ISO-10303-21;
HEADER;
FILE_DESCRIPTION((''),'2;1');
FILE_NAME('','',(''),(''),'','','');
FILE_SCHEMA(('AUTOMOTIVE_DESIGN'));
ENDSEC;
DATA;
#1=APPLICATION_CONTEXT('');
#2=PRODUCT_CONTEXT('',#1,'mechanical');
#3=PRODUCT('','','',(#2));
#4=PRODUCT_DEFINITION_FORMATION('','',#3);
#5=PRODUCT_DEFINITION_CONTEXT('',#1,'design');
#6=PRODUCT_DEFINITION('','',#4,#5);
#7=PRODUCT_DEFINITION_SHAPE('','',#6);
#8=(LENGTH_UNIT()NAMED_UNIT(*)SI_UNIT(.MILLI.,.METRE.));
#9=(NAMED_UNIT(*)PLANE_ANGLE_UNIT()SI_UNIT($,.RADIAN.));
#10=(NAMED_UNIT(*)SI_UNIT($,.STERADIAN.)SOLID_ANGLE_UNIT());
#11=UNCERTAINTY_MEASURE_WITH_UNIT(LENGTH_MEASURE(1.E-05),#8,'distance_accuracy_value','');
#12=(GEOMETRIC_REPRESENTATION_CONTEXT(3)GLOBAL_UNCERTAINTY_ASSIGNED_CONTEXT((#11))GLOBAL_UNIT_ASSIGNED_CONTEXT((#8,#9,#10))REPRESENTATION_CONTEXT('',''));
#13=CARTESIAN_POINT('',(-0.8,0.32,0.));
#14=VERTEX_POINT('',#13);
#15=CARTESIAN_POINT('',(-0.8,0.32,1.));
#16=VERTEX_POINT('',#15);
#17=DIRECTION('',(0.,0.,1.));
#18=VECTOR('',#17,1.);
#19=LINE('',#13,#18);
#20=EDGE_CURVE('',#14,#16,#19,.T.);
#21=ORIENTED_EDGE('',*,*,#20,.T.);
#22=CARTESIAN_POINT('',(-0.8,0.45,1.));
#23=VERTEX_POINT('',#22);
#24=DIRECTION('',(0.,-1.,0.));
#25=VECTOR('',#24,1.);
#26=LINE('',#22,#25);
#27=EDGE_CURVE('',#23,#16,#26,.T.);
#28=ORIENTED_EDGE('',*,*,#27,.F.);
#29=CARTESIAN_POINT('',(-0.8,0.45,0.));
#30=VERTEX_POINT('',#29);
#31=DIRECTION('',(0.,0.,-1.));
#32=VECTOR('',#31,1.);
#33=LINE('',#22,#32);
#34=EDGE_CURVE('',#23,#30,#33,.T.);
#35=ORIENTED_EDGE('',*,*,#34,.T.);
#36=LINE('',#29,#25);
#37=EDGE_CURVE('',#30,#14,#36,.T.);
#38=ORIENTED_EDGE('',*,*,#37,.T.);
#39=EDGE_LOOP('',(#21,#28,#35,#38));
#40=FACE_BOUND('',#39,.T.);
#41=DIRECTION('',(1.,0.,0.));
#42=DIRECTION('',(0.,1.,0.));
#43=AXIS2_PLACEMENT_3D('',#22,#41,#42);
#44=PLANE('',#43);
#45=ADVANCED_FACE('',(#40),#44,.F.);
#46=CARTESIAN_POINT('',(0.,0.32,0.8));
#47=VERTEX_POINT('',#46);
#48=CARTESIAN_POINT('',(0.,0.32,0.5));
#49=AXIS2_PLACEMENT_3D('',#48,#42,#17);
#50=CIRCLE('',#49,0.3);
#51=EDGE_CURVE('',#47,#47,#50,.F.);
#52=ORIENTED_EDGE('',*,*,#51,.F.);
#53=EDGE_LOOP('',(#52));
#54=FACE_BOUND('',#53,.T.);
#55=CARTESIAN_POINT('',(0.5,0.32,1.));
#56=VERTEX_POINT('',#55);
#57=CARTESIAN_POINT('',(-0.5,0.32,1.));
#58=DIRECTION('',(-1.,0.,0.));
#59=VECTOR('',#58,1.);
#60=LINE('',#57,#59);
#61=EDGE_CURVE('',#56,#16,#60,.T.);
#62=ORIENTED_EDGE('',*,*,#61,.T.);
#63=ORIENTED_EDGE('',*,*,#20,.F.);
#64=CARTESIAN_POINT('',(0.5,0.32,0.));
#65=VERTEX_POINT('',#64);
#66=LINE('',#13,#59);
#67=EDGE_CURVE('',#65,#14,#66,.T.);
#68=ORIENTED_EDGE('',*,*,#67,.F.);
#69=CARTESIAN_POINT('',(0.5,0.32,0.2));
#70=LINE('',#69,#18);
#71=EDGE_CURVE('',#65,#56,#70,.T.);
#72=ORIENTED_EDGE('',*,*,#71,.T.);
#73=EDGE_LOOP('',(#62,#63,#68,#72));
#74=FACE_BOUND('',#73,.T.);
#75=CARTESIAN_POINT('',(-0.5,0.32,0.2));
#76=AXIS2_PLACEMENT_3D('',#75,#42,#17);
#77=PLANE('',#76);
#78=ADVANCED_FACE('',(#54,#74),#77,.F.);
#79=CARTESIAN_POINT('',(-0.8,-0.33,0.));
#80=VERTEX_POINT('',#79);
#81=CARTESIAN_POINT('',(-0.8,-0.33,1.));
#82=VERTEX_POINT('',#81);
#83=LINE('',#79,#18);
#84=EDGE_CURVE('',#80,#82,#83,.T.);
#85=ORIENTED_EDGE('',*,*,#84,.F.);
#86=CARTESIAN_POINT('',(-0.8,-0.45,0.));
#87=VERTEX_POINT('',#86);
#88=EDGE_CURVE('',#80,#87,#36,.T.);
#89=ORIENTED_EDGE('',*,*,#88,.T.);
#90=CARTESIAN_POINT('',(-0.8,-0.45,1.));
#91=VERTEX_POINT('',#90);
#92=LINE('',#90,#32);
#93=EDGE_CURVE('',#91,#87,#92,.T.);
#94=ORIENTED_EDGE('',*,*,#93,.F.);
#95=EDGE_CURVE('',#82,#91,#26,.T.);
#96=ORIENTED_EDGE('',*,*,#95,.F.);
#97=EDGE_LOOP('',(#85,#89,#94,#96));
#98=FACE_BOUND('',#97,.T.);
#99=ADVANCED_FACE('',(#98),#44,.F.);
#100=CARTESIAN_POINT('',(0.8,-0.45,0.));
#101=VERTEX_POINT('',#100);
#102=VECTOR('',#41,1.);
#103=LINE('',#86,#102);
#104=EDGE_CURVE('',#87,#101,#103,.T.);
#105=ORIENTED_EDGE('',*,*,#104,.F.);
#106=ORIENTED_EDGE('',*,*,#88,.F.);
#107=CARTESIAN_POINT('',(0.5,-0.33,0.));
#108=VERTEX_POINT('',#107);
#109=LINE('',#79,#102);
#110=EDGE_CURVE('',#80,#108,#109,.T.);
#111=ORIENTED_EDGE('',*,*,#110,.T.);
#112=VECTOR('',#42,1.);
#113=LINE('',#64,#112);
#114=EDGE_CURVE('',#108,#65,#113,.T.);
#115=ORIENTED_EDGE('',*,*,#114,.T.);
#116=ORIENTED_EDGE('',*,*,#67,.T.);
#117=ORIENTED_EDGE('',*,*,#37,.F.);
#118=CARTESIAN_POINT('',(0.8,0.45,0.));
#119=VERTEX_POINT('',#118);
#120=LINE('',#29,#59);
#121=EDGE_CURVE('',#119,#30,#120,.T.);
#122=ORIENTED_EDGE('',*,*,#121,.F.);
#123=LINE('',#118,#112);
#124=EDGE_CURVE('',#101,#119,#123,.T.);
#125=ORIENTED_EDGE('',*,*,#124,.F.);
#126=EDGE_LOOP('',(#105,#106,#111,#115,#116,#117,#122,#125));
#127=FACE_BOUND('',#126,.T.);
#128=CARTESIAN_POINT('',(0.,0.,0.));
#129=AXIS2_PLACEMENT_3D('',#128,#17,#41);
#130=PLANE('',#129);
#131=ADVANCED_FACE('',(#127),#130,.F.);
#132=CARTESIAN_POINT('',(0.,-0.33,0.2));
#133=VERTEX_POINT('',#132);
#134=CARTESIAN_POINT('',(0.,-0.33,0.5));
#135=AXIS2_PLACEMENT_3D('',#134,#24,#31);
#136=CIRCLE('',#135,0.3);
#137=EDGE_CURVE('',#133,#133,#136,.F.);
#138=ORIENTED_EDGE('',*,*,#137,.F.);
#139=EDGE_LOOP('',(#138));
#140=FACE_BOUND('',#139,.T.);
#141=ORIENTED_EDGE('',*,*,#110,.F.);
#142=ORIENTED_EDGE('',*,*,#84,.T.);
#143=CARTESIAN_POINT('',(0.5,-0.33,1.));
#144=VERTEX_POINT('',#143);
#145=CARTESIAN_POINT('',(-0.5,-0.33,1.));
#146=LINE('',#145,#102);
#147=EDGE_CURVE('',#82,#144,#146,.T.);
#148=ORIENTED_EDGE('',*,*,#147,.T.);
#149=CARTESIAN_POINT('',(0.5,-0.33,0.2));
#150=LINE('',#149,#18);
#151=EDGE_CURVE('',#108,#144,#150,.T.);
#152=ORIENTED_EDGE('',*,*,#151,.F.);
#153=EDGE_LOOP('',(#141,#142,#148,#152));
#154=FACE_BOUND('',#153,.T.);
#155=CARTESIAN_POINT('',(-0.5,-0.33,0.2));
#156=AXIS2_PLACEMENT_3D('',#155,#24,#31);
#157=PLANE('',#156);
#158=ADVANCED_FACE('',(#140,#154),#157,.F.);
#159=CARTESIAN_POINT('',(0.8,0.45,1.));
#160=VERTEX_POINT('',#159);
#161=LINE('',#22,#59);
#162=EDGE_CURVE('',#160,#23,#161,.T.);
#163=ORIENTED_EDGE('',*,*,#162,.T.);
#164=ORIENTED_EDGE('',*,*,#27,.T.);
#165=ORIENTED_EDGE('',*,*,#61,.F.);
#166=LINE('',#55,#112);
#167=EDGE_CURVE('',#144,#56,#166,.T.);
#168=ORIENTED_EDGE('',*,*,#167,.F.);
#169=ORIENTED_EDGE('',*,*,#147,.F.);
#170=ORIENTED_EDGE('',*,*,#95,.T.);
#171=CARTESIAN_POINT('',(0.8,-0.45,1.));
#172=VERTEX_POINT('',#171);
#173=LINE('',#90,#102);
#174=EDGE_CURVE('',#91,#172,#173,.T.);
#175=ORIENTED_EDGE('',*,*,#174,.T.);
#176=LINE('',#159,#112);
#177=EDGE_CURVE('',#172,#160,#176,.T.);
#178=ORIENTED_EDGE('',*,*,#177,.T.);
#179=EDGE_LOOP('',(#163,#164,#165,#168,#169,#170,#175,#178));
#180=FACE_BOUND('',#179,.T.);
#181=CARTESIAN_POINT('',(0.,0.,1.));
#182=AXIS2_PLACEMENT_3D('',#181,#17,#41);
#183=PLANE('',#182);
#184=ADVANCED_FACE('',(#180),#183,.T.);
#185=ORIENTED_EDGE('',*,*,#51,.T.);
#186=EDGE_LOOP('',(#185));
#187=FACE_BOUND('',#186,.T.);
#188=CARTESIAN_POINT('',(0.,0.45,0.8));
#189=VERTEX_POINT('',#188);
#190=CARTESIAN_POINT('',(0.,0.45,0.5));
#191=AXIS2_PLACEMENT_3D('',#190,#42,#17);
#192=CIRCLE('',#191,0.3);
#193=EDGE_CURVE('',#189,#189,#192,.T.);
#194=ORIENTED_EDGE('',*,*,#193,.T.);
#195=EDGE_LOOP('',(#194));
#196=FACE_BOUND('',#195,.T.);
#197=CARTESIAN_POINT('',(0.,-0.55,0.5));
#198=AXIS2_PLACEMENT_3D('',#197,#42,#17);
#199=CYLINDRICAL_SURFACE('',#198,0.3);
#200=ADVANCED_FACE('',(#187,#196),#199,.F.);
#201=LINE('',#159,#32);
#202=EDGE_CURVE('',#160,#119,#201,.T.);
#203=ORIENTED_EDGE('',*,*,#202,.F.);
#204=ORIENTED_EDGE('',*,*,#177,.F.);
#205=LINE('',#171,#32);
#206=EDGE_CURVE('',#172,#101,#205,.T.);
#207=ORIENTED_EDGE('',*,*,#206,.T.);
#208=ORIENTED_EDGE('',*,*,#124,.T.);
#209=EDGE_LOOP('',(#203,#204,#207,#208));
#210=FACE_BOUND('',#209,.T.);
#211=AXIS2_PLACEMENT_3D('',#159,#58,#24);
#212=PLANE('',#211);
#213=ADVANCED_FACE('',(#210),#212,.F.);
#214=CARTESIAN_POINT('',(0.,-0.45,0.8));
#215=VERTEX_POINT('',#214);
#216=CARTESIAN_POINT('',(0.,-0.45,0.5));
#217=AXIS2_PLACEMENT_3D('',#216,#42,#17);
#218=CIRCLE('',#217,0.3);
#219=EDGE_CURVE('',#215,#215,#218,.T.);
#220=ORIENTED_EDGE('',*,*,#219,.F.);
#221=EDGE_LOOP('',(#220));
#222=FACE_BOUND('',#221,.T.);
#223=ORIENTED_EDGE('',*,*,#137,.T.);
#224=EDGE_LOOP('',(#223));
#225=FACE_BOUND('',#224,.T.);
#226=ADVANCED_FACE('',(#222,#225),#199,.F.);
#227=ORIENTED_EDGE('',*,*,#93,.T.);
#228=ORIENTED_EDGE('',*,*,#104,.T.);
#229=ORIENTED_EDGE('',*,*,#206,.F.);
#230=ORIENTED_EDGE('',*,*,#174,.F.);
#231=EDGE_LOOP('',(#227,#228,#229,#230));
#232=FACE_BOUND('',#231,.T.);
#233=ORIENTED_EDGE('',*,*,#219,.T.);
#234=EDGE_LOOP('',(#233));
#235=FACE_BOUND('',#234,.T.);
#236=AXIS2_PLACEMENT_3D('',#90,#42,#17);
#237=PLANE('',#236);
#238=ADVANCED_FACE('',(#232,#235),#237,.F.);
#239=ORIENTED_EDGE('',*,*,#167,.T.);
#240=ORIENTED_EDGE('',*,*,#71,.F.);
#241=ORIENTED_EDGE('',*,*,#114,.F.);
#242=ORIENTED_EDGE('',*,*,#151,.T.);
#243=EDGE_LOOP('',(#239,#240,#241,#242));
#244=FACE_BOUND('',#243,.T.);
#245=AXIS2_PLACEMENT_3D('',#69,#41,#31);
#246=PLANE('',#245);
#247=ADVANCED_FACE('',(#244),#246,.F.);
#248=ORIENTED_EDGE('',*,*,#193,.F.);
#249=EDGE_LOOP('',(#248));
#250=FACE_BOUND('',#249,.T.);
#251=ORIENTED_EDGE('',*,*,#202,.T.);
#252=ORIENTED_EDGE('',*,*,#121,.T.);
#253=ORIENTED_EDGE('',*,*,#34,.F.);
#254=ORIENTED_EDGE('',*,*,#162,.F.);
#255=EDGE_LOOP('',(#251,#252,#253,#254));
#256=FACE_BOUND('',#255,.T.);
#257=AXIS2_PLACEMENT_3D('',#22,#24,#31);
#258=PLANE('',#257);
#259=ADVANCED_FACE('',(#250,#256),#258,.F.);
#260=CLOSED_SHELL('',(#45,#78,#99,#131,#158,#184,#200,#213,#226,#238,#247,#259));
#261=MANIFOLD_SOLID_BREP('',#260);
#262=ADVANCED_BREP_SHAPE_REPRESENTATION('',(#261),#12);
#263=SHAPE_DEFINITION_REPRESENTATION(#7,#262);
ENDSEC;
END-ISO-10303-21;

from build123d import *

# Parameters (mm, degrees)
SKETCH2_W           = 1.6
SKETCH2_H           = 0.9
BOSS_EXTRUDE2_DEPTH = 1
SKETCH5_R           = 0.3
CUT_EXTRUDE2_DEPTH  = 1
SKETCH6_W           = 1
SKETCH6_H           = 0.65
CUT_EXTRUDE3_DEPTH  = 0.8
SKETCH7_W           = 1.3
SKETCH7_H           = 0.65
CUT_EXTRUDE4_DEPTH  = 1


with BuildPart() as part:
    # Sketch2 → Boss-Extrude2 (new body)
    with BuildSketch(Plane.XY):
        Rectangle(SKETCH2_W, SKETCH2_H)
    extrude(amount=BOSS_EXTRUDE2_DEPTH)

    # Sketch5 → Cut-Extrude2 (cut)
    with BuildSketch(Plane(origin=(0, 0.45, 0), x_dir=(1, 0, 0), z_dir=(0, 1, 0))):
        with Locations((0, -0.5)):
            Circle(SKETCH5_R)
    extrude(amount=-CUT_EXTRUDE2_DEPTH, mode=Mode.SUBTRACT)

    # Sketch6 → Cut-Extrude3 (cut)
    with BuildSketch(Plane.XY.offset(1)):
        with Locations((0, -0.005)):
            Rectangle(SKETCH6_W, SKETCH6_H)
    extrude(amount=-CUT_EXTRUDE3_DEPTH, mode=Mode.SUBTRACT)

    # Sketch7 → Cut-Extrude4 (cut)
    with BuildSketch(Plane.XY.offset(1)):
        with Locations((-0.15, -0.005)):
            Rectangle(SKETCH7_W, SKETCH7_H)
    extrude(amount=-CUT_EXTRUDE4_DEPTH, mode=Mode.SUBTRACT)


solid = part.part
